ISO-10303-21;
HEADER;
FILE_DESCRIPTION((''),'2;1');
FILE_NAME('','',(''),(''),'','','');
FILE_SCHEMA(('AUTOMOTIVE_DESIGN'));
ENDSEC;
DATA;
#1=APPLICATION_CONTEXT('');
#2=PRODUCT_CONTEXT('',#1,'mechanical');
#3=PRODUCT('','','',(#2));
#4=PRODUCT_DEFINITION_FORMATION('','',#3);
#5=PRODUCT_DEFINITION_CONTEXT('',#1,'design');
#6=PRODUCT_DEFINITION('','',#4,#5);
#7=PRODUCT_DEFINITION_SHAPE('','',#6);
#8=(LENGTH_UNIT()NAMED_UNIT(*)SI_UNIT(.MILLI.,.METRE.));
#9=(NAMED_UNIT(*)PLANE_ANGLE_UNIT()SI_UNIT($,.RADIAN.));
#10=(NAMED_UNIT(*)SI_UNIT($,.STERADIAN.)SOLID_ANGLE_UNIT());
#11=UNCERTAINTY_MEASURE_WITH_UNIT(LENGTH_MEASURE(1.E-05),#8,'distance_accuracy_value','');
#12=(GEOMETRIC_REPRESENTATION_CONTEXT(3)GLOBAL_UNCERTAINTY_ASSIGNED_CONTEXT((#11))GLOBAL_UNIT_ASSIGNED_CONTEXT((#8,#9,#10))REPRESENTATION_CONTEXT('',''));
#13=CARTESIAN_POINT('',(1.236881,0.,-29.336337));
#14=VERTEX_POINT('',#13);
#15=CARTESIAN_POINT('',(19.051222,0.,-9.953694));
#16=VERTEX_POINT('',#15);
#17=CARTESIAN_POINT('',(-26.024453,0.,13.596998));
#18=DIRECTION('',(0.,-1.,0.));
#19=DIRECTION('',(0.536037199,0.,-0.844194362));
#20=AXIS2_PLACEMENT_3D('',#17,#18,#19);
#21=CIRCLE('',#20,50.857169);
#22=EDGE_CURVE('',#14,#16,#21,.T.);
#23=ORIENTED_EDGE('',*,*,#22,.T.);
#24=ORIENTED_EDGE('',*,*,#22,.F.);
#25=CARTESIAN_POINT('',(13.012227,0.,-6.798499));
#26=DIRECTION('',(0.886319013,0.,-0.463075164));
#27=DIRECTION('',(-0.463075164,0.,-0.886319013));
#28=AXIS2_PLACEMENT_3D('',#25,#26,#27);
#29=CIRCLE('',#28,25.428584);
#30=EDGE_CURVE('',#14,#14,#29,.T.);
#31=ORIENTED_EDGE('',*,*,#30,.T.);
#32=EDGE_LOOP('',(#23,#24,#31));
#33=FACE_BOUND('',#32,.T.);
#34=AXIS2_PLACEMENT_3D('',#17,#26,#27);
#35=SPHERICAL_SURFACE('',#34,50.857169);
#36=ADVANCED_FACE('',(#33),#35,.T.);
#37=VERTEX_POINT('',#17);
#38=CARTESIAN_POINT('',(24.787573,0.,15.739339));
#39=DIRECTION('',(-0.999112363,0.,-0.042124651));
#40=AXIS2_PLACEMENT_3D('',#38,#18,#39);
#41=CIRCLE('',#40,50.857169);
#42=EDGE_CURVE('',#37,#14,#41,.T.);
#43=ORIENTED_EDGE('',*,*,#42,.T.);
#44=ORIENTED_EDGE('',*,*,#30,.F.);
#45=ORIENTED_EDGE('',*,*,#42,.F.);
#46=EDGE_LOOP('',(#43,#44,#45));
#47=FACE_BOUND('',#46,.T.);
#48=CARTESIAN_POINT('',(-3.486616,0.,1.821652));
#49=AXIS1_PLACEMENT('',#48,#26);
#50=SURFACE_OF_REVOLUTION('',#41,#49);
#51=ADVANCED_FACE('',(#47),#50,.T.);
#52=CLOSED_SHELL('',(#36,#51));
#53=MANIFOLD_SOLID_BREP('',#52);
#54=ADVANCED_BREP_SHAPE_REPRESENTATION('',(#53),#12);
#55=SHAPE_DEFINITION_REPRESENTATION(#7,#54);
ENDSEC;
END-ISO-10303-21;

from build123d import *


with BuildPart() as f1:
    # F0 (on Front) → F1 (revolve)
    with BuildSketch(Plane.XZ):
        with BuildLine():
            Line((1.2368808461, -29.3363368458), (-26.0244533855, 13.5969981887))
            ThreePointArc((-26.0244533855, 13.5969981887), (-18.1457624951, -11.5219955746), (1.2368808461, -29.3363368458))
        make_face()
        Polygon((13.0122266928, -6.7984990944), (-26.0244533855, 13.5969981887), (1.2368808461, -29.3363368458), align=None)
        with BuildLine():
            Line((13.0122266928, -6.7984990944), (1.2368808461, -29.3363368458))
            ThreePointArc((1.2368808461, -29.3363368458), (11.4199381846, -20.8176664358), (19.0512221174, -9.9536935046))
            Line((19.0512221174, -9.9536935046), (13.0122266928, -6.7984990944))
        make_face()
    revolve(axis=Axis((-3.4866156341, 0, 1.8216523421), (0.8863190129, 0, -0.4630751638)))


solid = f1.part
